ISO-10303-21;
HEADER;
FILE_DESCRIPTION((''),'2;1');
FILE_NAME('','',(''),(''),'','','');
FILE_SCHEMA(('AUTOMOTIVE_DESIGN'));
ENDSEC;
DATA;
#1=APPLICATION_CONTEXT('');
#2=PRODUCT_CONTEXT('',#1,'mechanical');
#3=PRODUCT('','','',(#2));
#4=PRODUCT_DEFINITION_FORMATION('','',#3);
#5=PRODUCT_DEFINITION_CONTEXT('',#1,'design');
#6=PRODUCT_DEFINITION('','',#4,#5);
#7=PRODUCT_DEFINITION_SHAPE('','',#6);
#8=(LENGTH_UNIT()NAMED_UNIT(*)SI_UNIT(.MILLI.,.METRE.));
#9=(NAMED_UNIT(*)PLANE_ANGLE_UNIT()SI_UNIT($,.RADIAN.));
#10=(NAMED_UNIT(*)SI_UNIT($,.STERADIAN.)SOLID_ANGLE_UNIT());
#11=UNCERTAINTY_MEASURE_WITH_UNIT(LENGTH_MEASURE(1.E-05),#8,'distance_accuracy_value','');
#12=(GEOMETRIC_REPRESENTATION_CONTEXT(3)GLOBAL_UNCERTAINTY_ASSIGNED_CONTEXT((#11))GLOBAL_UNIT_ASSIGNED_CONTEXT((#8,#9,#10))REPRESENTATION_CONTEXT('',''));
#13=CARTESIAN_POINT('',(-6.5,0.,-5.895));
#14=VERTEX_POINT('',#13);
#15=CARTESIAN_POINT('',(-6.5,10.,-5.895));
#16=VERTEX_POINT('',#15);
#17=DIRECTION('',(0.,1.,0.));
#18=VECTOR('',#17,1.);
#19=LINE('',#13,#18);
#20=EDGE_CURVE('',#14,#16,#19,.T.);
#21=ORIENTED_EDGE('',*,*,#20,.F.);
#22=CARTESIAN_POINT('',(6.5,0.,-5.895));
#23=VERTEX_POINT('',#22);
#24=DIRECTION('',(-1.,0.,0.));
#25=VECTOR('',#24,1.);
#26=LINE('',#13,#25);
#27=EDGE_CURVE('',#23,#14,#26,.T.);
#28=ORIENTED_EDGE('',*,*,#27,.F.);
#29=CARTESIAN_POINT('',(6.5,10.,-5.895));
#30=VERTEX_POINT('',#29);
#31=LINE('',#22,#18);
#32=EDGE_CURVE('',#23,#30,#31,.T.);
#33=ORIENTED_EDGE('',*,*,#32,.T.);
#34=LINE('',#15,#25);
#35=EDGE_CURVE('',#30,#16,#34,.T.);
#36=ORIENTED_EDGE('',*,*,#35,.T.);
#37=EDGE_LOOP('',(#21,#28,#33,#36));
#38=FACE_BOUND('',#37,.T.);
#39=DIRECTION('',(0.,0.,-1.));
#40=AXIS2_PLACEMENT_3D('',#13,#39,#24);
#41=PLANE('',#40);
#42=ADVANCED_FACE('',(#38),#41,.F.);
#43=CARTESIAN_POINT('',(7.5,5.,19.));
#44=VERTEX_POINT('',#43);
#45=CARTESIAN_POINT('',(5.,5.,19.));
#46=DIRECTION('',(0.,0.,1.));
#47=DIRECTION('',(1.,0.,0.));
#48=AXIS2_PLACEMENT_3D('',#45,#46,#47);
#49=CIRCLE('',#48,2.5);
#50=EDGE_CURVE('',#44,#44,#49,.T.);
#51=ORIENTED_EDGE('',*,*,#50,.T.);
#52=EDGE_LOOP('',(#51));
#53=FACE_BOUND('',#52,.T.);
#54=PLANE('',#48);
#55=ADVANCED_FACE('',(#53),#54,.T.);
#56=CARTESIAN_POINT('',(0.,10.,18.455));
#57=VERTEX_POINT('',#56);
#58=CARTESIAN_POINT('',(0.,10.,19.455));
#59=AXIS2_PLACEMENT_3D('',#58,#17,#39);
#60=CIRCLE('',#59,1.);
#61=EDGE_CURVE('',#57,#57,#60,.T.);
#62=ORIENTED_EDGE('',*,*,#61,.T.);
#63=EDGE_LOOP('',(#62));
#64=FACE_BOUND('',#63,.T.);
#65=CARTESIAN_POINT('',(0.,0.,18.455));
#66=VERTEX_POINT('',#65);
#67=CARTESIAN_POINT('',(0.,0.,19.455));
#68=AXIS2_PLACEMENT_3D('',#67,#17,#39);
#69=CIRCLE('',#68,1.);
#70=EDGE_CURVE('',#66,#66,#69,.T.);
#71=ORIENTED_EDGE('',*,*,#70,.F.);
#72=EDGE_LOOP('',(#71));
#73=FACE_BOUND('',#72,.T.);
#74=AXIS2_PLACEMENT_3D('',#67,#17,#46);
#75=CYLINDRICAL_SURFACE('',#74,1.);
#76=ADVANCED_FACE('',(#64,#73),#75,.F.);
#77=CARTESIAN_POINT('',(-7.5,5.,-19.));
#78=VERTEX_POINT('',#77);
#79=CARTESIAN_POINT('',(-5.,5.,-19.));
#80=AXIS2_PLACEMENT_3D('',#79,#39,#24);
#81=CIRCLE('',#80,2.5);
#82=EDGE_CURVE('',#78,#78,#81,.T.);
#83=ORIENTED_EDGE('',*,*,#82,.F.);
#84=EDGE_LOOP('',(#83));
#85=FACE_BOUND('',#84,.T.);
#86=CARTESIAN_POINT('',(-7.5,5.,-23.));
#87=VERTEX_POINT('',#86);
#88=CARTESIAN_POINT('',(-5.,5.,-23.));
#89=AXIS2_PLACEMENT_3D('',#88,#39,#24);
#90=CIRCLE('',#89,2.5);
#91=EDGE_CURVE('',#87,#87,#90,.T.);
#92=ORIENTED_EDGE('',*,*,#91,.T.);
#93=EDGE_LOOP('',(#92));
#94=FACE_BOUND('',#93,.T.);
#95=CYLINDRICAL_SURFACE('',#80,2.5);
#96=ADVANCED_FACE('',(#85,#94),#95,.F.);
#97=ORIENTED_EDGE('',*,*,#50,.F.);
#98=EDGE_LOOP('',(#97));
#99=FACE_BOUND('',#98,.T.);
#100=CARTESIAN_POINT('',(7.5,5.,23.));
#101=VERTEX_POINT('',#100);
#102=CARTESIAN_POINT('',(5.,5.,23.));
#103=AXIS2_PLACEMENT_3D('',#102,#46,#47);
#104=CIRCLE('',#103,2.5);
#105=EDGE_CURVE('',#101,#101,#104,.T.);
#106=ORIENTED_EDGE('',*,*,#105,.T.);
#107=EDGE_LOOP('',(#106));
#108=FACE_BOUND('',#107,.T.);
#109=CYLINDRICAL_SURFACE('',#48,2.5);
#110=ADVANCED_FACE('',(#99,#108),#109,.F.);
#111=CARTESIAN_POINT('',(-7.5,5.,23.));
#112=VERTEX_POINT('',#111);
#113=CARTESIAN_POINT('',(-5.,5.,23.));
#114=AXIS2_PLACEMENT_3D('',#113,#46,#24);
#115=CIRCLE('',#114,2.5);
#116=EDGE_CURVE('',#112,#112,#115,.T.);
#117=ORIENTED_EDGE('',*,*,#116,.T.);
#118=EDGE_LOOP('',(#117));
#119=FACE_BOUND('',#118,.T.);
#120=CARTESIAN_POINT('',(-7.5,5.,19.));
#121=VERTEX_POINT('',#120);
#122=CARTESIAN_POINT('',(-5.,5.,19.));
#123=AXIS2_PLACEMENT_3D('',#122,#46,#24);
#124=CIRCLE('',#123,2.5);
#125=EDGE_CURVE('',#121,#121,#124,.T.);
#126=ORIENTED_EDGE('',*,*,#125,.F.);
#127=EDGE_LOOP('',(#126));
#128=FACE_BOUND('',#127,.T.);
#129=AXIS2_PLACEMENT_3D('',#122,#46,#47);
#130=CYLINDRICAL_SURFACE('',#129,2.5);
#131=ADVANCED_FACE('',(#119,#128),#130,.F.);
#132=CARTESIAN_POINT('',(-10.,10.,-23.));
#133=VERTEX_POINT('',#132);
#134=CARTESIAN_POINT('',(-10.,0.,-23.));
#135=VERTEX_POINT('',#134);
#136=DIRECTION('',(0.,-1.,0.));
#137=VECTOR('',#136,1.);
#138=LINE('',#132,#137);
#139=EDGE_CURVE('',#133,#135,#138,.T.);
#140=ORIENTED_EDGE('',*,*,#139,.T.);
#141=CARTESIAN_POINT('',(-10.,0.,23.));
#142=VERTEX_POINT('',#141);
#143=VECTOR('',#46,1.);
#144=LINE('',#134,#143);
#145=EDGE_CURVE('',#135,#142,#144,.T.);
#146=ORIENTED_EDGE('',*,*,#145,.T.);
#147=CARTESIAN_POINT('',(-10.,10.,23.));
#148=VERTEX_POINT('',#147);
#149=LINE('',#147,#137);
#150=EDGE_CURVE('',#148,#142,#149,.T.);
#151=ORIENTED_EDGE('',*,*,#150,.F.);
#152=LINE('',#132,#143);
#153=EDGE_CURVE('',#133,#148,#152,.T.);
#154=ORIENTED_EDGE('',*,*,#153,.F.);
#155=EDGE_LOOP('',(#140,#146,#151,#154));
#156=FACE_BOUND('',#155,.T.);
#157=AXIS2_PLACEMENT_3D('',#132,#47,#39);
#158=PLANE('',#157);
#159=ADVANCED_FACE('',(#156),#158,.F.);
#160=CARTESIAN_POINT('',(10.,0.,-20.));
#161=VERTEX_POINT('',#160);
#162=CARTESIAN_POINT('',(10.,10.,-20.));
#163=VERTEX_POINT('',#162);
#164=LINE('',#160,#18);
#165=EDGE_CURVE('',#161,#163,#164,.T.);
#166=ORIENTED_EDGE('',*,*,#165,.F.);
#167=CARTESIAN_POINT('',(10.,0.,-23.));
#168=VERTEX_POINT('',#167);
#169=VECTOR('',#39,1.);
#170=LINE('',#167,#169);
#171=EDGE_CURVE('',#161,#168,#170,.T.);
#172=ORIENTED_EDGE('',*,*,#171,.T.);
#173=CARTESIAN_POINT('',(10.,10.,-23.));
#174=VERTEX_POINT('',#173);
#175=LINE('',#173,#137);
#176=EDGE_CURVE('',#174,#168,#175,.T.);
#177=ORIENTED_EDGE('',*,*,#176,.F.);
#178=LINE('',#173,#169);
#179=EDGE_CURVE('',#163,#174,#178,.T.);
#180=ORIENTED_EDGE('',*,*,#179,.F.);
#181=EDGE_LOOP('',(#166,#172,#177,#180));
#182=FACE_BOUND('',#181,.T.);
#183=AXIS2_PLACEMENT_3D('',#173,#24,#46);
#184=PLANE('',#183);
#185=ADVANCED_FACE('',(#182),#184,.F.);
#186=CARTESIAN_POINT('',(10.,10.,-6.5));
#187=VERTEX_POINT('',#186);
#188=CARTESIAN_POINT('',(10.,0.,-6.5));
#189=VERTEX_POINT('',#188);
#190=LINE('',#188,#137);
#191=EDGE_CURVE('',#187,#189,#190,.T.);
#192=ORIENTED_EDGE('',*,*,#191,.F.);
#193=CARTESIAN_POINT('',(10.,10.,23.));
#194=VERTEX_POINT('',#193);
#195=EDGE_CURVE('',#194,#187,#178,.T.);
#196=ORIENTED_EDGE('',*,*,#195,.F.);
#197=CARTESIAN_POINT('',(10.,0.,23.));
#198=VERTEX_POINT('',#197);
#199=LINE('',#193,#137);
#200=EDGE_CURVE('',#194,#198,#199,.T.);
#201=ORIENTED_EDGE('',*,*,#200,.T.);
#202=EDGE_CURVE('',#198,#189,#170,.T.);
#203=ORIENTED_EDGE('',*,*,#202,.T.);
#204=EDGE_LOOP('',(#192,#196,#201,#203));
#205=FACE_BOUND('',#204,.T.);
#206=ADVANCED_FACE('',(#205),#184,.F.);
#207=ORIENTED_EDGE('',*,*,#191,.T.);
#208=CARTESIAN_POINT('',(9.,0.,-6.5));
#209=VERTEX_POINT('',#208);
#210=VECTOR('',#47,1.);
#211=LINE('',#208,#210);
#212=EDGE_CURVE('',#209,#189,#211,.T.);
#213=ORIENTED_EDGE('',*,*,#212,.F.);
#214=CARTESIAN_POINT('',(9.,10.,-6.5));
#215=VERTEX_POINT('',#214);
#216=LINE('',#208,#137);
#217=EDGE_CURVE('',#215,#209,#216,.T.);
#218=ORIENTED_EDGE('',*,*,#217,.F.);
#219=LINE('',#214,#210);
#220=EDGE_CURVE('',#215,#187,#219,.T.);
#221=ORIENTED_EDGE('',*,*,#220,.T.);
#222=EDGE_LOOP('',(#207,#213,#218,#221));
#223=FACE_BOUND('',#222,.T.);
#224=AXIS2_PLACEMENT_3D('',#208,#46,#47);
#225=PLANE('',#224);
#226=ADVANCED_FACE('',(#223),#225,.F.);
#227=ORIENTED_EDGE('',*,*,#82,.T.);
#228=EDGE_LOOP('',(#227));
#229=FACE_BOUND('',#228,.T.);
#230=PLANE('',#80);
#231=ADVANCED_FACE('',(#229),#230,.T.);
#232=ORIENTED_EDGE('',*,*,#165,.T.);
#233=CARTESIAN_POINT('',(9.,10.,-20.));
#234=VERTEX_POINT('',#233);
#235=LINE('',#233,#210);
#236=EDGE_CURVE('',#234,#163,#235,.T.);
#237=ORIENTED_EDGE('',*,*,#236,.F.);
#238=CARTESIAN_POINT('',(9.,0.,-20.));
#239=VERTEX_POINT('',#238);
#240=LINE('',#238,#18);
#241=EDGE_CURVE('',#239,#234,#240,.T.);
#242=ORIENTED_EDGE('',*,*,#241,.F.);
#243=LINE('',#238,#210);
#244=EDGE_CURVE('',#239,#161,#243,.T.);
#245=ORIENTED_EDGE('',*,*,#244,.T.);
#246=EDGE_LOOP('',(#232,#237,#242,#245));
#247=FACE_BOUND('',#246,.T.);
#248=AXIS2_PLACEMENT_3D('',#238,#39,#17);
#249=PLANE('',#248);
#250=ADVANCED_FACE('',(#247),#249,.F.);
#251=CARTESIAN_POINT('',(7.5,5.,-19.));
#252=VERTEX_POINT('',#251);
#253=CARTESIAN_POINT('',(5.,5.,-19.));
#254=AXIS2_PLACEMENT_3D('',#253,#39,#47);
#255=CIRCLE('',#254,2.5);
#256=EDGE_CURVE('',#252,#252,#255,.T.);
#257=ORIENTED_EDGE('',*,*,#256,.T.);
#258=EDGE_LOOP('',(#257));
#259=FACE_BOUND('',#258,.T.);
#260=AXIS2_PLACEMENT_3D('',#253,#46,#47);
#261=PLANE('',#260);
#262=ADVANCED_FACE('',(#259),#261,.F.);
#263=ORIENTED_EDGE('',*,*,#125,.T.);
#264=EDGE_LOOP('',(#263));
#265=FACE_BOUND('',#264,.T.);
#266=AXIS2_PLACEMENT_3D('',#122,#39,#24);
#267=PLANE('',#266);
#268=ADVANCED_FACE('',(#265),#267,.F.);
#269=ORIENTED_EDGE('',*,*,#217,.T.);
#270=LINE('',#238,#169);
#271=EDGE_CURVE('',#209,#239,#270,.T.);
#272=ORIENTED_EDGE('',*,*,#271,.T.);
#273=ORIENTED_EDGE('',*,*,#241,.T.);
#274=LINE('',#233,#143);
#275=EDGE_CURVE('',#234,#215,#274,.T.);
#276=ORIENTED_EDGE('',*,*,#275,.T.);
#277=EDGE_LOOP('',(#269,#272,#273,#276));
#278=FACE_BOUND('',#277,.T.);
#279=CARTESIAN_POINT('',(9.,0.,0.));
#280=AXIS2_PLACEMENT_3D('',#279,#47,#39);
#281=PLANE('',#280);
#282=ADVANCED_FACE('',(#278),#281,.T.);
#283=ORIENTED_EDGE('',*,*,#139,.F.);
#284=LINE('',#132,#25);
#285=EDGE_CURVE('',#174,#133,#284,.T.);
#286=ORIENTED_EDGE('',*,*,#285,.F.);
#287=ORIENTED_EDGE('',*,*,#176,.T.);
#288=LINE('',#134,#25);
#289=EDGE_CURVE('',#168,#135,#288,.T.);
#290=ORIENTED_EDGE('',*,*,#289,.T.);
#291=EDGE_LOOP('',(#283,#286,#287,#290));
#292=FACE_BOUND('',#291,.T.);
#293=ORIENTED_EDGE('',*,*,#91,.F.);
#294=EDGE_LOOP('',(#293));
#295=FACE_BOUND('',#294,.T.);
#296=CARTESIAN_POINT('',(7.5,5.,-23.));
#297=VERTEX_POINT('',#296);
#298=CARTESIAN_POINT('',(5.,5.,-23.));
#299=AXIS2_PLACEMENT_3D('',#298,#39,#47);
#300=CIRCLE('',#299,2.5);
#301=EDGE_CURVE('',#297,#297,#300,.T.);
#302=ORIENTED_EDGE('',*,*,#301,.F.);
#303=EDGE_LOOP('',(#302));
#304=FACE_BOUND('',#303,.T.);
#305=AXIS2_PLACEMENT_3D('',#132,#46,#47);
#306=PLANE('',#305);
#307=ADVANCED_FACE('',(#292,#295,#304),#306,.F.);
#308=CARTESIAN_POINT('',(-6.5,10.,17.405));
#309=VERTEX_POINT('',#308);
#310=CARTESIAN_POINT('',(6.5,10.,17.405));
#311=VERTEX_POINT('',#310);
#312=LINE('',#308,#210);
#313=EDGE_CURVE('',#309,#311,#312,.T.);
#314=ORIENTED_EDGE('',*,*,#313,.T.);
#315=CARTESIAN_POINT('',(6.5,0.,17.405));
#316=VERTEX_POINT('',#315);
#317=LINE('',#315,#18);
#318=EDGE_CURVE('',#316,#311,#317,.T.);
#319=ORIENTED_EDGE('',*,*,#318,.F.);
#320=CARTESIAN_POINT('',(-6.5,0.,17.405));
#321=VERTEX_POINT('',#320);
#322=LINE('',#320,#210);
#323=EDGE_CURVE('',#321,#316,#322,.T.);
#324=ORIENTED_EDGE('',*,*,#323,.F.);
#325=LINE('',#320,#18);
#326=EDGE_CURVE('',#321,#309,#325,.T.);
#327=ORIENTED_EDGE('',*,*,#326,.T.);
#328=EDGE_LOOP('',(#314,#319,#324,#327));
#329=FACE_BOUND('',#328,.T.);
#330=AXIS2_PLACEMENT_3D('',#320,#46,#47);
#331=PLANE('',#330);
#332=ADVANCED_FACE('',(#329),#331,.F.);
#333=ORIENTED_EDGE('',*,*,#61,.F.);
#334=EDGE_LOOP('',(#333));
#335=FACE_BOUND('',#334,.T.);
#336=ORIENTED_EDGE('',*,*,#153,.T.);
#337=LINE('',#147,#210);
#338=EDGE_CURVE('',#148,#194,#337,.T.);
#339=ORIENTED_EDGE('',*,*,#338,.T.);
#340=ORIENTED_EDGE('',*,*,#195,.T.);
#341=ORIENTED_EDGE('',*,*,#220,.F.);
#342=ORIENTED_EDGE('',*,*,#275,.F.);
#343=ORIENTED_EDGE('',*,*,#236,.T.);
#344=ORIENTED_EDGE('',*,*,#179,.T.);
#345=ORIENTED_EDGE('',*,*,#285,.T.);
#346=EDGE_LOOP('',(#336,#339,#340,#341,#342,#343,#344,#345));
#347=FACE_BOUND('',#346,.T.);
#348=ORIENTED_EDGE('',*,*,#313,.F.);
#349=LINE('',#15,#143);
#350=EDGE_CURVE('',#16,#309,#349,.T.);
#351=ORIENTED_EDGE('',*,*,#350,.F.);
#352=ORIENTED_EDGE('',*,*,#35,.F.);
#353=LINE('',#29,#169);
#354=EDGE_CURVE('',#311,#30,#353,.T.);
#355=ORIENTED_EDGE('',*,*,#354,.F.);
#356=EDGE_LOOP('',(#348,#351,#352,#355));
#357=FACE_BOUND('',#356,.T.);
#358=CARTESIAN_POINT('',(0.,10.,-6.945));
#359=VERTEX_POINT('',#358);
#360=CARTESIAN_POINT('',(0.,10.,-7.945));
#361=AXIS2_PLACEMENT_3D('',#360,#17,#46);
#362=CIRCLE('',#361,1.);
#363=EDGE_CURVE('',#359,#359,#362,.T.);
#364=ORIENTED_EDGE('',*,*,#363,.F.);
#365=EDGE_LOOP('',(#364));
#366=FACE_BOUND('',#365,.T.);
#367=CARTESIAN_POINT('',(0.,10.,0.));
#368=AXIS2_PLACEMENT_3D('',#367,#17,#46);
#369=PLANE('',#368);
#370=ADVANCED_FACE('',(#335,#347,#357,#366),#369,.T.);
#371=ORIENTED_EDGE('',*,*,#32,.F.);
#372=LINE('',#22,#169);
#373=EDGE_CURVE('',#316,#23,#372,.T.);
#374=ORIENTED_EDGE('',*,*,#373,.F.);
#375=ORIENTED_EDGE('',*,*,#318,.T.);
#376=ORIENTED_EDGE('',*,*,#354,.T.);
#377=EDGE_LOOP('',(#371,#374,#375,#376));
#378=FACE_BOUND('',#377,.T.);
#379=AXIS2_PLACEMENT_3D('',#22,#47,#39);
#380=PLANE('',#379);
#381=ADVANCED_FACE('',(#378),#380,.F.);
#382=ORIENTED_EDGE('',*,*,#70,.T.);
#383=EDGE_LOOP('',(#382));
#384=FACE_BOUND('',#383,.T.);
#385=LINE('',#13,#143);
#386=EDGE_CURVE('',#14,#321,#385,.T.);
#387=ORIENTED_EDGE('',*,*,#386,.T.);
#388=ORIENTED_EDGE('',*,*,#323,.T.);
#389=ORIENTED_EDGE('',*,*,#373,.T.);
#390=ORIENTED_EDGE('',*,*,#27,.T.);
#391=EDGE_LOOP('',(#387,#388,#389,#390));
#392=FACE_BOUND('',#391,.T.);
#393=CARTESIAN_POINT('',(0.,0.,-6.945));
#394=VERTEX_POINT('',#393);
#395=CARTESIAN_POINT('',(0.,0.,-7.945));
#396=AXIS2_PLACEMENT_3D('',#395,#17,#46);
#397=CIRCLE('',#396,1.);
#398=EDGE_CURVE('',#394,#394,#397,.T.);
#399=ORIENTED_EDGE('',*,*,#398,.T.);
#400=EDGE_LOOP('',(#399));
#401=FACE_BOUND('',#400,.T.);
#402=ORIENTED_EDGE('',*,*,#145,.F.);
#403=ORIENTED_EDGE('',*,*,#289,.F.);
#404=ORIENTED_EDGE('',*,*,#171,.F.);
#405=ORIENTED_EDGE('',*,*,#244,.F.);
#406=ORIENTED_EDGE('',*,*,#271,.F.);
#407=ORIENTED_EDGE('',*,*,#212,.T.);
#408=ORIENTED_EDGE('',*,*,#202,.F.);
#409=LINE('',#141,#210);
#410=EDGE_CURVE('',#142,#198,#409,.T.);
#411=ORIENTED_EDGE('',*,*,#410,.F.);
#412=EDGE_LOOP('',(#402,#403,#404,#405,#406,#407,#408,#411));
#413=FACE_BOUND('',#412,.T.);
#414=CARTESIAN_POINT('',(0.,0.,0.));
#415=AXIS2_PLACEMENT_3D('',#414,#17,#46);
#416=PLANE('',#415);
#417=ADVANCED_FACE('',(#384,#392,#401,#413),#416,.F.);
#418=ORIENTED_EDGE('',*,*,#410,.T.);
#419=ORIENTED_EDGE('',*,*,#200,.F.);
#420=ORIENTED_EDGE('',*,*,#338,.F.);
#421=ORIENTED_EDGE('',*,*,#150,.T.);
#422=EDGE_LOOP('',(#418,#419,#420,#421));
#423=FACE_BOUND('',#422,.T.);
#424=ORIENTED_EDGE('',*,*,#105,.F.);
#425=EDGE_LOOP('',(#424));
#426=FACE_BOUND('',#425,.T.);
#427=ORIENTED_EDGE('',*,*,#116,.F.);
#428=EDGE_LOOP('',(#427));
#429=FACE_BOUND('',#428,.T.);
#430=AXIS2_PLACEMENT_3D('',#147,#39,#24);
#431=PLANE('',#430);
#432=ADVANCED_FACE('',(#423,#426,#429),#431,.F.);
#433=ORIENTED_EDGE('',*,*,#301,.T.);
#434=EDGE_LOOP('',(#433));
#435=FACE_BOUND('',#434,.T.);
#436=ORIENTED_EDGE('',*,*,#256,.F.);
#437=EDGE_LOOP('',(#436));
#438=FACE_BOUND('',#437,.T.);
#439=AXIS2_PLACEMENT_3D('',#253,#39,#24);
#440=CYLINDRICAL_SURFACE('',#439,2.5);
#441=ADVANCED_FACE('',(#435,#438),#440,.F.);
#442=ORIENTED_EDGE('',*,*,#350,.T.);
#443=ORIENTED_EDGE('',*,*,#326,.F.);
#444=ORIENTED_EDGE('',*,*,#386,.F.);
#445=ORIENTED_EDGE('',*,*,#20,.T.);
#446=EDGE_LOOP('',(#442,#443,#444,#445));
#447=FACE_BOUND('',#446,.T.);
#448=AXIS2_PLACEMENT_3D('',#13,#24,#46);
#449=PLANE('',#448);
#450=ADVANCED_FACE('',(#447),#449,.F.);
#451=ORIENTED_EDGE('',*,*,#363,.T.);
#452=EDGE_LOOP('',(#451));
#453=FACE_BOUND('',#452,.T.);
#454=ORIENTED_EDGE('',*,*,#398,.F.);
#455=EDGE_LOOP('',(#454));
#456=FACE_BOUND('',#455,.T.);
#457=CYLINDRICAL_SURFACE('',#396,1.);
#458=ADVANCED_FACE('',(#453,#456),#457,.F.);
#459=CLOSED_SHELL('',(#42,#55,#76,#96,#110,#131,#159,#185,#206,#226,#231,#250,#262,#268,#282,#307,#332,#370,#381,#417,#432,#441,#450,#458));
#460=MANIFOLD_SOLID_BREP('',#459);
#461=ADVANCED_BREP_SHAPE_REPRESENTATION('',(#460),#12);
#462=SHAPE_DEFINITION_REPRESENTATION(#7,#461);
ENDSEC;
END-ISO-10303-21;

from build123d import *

# Parameters (mm, degrees)
SKETCH1_W           = 20
SKETCH1_H           = 46
BOSS_EXTRUDE1_DEPTH = 10
SKETCH2_R           = 1
SKETCH2_W           = 13
SKETCH2_H           = 23.3
CUT_EXTRUDE1_DEPTH  = 28
SKETCH3_R           = 2.5
CUT_EXTRUDE2_DEPTH  = 4
CUT_EXTRUDE3_START  = -4
SKETCH4_R           = 2.5
CUT_EXTRUDE3_DEPTH  = 4
SKETCH5_W           = 13.5
SKETCH5_H           = 10
CUT_EXTRUDE4_DEPTH  = 1


with BuildPart() as part:
    # Sketch1 → Boss-Extrude1 (new body)
    with BuildSketch(Plane(origin=(0, 0, 0), x_dir=(1, 0, 0), z_dir=(0, 1, 0))):
        Rectangle(SKETCH1_W, SKETCH1_H)
    extrude(amount=BOSS_EXTRUDE1_DEPTH)

    # Sketch2 → Cut-Extrude1 (cut, through all)
    with BuildSketch(Plane(origin=(0, 10, 0), x_dir=(1, 0, 0), z_dir=(0, 1, 0))):
        with Locations(Location((0, 7.945, 0), (0, 0, 270))):
            Circle(SKETCH2_R)
        with Locations(Location((0, -19.455, 0), (0, 0, 90))):
            Circle(SKETCH2_R)
        with Locations((0, -5.755)):
            Rectangle(SKETCH2_W, SKETCH2_H)
    extrude(amount=-CUT_EXTRUDE1_DEPTH, mode=Mode.SUBTRACT)

    # Sketch3 → Cut-Extrude2 (cut)
    with BuildSketch(Plane(origin=(0, 0, -23), x_dir=(-1, 0, 0), z_dir=(0, 0, -1))):
        with Locations((5, 5)):
            Circle(SKETCH3_R)
        with Locations(Location((-5, 5, 0), (0, 0, 180))):
            Circle(SKETCH3_R)
    extrude(amount=-CUT_EXTRUDE2_DEPTH, mode=Mode.SUBTRACT)

    # Sketch4 → Cut-Extrude3 (cut)
    with BuildSketch(Plane.XY.offset(23).offset(CUT_EXTRUDE3_START)):
        with Locations((5, 5)):
            Circle(SKETCH4_R)
        with Locations(Location((-5, 5, 0), (0, 0, 180))):
            Circle(SKETCH4_R)
    extrude(amount=CUT_EXTRUDE3_DEPTH, mode=Mode.SUBTRACT)

    # Sketch5 → Cut-Extrude4 (cut)
    with BuildSketch(Plane(origin=(10, 0, 0), x_dir=(0, 0, -1), z_dir=(1, 0, 0))):
        with Locations((13.25, 5)):
            Rectangle(SKETCH5_W, SKETCH5_H)
    extrude(amount=-CUT_EXTRUDE4_DEPTH, mode=Mode.SUBTRACT)


solid = part.part
